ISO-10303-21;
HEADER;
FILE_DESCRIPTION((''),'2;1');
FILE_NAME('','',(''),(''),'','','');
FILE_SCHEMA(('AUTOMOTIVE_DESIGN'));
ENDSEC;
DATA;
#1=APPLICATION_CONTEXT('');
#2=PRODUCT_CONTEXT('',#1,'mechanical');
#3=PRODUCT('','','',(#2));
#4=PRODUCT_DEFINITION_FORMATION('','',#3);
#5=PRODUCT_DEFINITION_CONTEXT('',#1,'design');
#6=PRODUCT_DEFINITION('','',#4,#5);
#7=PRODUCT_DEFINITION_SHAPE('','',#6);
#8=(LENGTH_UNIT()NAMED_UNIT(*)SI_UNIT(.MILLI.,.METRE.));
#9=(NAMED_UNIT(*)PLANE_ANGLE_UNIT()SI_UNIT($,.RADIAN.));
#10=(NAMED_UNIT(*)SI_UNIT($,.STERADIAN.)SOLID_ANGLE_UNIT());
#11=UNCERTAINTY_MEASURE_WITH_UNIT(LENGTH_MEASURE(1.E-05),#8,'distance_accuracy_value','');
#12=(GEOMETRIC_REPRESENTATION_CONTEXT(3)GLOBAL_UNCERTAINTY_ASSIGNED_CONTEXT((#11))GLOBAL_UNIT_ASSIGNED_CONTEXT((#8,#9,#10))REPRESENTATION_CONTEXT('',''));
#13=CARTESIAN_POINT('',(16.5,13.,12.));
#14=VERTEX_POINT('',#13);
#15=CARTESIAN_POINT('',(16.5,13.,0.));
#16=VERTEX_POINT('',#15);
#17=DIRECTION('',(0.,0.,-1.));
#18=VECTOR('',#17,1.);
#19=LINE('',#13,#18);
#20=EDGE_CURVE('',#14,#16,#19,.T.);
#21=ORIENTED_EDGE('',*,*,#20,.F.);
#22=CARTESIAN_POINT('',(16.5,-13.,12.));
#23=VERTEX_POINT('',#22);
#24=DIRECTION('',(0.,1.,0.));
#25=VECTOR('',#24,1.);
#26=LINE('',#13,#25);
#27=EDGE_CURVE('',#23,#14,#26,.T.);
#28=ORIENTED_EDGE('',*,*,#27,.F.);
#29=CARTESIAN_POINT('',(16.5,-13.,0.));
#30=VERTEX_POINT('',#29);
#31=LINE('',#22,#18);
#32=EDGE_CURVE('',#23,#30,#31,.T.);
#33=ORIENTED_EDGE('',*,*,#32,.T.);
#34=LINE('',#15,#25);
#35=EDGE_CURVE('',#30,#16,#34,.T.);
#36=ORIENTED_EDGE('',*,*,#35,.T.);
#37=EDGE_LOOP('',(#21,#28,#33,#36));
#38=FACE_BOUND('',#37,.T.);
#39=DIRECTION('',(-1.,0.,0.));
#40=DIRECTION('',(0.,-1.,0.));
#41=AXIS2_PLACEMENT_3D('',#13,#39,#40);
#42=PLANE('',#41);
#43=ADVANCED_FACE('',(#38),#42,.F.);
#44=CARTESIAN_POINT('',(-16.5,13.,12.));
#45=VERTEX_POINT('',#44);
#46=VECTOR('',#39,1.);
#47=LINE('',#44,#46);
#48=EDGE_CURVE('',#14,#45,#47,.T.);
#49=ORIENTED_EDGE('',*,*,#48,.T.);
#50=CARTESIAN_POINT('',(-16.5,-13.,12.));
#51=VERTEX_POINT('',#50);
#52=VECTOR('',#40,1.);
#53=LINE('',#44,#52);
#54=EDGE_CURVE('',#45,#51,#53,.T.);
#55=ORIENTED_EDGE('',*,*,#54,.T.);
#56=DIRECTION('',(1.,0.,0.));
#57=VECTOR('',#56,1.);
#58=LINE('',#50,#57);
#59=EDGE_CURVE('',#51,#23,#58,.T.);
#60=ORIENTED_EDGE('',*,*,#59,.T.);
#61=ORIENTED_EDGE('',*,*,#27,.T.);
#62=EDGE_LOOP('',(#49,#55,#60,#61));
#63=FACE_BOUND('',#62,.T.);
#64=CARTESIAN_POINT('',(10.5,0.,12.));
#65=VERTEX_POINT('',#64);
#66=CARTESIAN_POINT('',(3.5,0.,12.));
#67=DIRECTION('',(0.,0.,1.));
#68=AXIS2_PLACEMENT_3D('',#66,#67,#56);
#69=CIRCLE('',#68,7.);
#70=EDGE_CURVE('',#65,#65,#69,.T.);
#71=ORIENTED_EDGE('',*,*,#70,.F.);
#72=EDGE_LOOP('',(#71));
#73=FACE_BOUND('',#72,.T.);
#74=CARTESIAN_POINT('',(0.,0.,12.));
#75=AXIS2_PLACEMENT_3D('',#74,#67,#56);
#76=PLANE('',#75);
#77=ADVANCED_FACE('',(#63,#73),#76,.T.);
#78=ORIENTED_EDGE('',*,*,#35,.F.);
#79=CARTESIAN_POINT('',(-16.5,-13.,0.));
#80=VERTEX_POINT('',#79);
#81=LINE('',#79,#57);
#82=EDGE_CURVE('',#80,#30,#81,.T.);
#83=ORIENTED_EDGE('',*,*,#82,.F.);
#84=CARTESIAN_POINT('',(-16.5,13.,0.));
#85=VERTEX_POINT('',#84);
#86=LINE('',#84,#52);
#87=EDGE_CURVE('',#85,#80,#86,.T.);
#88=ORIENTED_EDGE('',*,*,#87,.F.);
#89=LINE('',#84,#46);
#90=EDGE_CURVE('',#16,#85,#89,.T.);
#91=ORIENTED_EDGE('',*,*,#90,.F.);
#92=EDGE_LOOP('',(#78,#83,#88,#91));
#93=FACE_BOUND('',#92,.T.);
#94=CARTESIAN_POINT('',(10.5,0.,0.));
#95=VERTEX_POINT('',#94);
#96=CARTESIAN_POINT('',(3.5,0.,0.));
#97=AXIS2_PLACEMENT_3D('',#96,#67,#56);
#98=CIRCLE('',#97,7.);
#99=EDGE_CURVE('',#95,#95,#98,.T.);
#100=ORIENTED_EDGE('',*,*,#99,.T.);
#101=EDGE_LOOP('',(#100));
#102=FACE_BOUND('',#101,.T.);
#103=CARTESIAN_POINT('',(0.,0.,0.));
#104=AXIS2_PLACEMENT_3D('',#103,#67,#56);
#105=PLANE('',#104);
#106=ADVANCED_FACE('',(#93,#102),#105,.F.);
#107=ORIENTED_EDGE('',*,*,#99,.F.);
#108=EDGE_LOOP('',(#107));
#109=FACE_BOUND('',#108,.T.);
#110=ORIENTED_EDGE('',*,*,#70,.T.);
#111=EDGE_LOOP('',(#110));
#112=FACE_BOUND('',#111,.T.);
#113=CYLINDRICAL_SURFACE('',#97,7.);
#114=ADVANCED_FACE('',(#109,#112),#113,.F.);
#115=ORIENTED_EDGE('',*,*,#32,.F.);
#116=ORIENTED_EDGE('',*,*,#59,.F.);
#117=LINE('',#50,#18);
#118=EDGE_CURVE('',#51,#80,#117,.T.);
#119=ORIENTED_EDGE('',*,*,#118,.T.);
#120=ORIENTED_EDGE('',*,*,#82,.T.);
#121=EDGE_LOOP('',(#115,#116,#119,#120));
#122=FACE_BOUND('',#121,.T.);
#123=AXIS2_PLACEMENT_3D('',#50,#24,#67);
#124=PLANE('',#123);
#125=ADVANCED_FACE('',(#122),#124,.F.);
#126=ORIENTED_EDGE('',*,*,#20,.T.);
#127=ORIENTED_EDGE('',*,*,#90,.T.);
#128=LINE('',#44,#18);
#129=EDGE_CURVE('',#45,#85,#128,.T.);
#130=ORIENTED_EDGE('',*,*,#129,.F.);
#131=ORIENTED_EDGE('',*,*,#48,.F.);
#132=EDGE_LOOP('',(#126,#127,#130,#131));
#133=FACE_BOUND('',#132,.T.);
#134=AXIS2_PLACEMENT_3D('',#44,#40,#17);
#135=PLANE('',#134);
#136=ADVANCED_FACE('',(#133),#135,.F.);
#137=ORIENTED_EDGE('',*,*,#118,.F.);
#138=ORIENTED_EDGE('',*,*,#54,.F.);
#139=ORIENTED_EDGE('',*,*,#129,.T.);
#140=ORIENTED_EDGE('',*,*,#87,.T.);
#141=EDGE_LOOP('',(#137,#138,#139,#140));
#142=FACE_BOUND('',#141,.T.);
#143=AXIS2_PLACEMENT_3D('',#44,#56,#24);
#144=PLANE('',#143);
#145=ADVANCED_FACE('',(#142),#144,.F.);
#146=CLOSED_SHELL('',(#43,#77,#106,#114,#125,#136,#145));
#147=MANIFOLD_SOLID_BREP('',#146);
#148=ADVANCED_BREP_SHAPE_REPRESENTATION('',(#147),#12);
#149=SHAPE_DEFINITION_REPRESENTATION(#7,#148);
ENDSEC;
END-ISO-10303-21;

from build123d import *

# Parameters (mm, degrees)
ESQUISSE1_W             = 33
ESQUISSE1_H             = 26
BOSS_EXTRU_1_DEPTH      = 12
ESQUISSE2_R             = 7
ENL_V_MAT_EXTRU_1_DEPTH = 13


with BuildPart() as part:
    # Esquisse1 → Boss.-Extru.1 (new body)
    with BuildSketch(Plane.XY):
        Rectangle(ESQUISSE1_W, ESQUISSE1_H)
    extrude(amount=BOSS_EXTRU_1_DEPTH)

    # Esquisse2 → Enlèv. mat.-Extru.1 (cut, through all)
    with BuildSketch(Plane.XY.offset(12)):
        with Locations((3.5, 0)):
            Circle(ESQUISSE2_R)
    extrude(amount=-ENL_V_MAT_EXTRU_1_DEPTH, mode=Mode.SUBTRACT)


solid = part.part
